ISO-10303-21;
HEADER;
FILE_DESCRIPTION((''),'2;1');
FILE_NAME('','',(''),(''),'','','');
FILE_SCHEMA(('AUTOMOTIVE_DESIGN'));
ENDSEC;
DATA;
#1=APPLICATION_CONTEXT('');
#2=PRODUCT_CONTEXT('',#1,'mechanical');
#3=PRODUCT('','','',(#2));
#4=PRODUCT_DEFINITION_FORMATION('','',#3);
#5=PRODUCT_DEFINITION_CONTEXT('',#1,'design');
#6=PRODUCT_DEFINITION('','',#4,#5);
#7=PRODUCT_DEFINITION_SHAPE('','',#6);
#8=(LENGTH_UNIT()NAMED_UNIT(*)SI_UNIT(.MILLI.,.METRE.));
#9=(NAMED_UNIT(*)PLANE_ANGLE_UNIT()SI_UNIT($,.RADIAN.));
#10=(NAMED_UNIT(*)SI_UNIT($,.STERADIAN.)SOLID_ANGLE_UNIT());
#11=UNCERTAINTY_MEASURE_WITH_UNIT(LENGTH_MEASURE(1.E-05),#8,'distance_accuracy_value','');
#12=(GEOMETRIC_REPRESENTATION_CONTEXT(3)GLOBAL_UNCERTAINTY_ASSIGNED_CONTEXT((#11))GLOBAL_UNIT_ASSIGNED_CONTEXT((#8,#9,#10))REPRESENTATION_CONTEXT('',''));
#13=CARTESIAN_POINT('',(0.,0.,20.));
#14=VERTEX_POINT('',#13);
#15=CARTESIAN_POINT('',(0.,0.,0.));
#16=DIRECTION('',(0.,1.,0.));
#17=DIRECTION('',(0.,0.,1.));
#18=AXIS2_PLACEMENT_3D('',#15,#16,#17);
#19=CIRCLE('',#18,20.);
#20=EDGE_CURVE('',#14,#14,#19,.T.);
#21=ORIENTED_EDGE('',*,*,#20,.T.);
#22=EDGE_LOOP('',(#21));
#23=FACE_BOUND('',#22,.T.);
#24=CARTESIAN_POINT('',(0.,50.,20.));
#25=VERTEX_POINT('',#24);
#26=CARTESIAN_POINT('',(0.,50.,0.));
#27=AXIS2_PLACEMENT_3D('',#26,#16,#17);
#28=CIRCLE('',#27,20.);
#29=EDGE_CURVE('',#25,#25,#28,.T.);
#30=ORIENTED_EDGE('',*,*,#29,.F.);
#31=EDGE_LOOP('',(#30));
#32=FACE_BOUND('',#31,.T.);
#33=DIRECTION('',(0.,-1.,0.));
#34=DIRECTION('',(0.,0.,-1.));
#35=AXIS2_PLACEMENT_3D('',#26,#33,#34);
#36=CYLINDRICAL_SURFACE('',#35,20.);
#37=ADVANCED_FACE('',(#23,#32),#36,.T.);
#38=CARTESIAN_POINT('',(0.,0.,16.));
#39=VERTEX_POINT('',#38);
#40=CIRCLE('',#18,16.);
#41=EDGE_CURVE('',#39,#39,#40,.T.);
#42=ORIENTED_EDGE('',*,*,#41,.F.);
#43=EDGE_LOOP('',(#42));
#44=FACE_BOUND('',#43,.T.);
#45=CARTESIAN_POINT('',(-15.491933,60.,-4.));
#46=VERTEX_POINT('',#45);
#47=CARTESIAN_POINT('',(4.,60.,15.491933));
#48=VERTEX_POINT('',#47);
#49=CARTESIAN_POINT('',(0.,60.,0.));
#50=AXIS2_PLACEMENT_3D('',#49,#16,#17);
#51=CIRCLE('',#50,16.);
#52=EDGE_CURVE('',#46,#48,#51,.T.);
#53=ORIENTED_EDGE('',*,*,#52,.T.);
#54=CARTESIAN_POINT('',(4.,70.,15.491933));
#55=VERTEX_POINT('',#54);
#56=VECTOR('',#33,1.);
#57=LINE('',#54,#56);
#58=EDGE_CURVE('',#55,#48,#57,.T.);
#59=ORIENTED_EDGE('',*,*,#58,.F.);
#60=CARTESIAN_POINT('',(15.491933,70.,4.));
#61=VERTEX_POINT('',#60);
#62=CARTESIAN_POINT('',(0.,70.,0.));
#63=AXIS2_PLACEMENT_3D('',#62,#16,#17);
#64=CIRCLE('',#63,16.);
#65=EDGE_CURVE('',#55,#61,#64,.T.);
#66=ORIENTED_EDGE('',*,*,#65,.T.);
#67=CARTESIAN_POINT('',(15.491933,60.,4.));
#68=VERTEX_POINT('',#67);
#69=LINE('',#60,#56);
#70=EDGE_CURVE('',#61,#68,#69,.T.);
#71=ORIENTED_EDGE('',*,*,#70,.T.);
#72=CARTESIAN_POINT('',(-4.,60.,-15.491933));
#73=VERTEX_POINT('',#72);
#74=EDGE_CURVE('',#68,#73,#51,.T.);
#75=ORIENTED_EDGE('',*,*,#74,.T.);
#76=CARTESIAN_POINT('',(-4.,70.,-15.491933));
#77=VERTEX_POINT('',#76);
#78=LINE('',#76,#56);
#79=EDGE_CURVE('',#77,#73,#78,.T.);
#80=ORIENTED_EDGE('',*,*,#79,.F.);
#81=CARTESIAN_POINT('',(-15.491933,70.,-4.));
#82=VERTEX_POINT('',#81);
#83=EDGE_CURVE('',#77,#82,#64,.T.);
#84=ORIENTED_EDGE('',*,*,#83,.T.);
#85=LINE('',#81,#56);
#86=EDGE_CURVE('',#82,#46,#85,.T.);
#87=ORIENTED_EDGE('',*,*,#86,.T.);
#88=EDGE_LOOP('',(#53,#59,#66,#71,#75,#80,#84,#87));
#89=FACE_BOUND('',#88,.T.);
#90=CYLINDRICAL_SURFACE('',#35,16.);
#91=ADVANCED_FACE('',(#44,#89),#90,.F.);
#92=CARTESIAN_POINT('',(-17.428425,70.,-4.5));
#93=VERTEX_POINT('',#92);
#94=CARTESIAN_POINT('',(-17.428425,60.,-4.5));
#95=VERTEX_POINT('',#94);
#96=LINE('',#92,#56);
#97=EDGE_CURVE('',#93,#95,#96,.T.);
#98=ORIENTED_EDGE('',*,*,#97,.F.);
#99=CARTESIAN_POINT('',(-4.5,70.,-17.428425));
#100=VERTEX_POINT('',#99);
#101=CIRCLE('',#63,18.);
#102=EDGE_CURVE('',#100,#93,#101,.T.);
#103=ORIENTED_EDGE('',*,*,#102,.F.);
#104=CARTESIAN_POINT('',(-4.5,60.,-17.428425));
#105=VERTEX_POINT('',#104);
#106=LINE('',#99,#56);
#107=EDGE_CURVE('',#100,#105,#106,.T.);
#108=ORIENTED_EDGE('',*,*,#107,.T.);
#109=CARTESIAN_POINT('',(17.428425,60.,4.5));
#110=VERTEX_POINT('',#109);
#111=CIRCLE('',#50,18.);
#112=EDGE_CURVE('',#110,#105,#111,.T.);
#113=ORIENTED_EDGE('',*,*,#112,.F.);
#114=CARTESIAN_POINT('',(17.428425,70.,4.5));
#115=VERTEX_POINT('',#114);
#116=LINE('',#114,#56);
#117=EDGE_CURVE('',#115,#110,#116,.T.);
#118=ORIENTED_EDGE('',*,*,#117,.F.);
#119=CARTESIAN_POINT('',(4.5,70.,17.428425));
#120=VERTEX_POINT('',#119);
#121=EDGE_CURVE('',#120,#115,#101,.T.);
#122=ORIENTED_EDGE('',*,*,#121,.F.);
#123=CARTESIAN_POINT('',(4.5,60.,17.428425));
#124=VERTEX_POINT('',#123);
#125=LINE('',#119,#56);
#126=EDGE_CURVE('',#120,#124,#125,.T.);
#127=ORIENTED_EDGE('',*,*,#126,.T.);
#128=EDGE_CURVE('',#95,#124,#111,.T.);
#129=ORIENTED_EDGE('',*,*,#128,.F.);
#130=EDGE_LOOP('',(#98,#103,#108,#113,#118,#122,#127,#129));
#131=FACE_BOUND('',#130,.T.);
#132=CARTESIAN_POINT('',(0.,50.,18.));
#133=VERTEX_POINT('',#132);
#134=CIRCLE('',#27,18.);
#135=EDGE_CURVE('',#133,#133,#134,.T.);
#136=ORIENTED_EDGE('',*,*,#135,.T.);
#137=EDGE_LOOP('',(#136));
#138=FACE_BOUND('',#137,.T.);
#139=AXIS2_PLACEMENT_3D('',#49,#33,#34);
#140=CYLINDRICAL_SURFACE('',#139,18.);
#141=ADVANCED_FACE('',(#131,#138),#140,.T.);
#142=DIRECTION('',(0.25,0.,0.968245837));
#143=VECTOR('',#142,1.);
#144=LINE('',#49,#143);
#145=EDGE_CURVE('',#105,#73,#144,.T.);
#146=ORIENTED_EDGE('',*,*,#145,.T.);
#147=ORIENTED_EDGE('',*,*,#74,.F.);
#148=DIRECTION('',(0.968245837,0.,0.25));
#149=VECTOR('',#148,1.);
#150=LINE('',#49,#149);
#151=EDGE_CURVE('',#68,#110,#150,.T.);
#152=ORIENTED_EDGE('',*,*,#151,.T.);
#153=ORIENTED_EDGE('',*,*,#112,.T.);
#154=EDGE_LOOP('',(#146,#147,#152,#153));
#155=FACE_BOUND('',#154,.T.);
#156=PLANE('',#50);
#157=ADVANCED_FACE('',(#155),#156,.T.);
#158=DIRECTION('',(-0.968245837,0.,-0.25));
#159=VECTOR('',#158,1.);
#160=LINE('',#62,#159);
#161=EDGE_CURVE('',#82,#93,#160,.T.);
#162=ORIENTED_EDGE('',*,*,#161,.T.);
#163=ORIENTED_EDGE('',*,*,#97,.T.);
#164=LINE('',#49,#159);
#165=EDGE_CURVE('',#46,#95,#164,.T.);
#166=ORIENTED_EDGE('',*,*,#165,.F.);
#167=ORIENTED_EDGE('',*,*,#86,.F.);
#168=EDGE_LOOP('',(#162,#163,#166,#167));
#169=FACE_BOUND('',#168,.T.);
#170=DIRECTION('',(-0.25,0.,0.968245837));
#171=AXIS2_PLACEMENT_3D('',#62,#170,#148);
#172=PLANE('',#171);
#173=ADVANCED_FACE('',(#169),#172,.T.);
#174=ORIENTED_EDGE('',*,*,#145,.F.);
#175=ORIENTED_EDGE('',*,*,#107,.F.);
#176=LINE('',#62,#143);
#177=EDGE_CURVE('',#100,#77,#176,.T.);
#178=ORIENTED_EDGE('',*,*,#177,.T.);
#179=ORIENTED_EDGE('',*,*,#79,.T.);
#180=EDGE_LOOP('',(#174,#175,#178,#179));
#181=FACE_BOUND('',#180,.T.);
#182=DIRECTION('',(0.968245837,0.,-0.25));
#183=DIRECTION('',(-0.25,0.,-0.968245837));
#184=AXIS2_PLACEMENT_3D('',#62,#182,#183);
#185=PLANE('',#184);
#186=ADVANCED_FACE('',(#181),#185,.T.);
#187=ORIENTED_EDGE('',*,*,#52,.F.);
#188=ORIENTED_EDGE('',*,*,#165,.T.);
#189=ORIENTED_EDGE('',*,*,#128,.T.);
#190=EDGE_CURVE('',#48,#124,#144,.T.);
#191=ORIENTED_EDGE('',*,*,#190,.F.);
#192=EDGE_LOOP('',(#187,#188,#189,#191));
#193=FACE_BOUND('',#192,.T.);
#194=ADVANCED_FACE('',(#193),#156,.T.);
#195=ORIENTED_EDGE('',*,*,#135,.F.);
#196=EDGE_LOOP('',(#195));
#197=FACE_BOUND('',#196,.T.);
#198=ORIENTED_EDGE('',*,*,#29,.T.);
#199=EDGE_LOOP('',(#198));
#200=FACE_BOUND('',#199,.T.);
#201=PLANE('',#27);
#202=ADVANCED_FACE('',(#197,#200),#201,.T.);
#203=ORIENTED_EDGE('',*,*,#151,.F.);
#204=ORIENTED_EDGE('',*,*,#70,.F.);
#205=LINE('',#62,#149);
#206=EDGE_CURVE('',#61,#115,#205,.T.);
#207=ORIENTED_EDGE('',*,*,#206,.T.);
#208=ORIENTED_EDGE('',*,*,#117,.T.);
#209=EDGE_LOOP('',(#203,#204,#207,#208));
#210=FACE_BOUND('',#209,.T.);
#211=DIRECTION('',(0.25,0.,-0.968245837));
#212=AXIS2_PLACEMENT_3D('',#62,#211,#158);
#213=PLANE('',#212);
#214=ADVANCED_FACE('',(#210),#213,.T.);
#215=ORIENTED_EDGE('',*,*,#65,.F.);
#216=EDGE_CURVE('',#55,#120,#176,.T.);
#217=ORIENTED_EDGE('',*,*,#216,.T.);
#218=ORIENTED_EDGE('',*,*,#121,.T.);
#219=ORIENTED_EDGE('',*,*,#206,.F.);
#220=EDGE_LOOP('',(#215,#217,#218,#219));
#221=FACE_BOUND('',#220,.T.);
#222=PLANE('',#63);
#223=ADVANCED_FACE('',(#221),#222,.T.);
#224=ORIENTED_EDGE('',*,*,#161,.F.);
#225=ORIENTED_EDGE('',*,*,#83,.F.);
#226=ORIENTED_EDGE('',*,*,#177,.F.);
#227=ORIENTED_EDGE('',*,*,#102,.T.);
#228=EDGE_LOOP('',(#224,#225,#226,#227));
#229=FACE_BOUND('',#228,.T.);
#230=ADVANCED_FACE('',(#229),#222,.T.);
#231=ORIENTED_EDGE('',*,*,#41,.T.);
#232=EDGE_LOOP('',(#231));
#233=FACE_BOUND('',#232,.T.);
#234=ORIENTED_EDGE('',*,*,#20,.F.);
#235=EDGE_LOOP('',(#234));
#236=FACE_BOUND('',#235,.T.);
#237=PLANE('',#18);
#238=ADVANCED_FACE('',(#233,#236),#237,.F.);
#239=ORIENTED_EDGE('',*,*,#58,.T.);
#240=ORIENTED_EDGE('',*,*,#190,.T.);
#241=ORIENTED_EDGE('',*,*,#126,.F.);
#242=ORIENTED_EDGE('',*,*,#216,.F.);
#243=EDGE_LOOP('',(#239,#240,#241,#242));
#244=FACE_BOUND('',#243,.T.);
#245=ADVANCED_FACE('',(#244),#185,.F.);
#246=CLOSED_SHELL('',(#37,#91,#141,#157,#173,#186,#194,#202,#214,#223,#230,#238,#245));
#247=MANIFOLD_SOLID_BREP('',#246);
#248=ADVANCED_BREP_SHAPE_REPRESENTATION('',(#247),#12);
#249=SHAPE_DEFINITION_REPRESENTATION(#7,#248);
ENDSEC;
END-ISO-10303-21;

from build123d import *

# Parameters (mm, degrees)
SKETCH_1_R      = 20
SKETCH_1_R_2    = 16
EXTRUDE_1_DEPTH = 50
EXTRUDE_START   = 50
SKETCH_3_R      = 18
SKETCH_3_R_2    = 16
EXTRUDE_2_DEPTH = 10
EXTRUDE_START_2 = 60
EXTRUDE_3_DEPTH = 10


with BuildPart() as part:
    # 草图1 → 凸台-拉伸1 (new body)
    with BuildSketch(Plane(origin=(0, 0, 0), x_dir=(1, 0, 0), z_dir=(0, 1, 0))):
        Circle(SKETCH_1_R)
        Circle(SKETCH_1_R_2, mode=Mode.SUBTRACT)
    extrude(amount=EXTRUDE_1_DEPTH)

    # 草图3 → 凸台-拉伸2 (add)
    with BuildSketch(Plane(origin=(0, 0, 0), x_dir=(1, 0, 0), z_dir=(0, 1, 0)).offset(EXTRUDE_START)):
        Circle(SKETCH_3_R)
        Circle(SKETCH_3_R_2, mode=Mode.SUBTRACT)
    extrude(amount=EXTRUDE_2_DEPTH)

    # 草图4 → 凸台-拉伸3 (add)
    with BuildSketch(Plane(origin=(0, 0, 0), x_dir=(1, 0, 0), z_dir=(0, 1, 0)).offset(EXTRUDE_START_2)):
        with BuildLine():
            Line((-17.428425058, 4.5), (-15.491933385, 4))
            ThreePointArc((-15.491933385, 4), (-11.313708499, 11.313708499), (-4, 15.491933385))
            Line((-4, 15.491933385), (-4.5, 17.428425058))
            ThreePointArc((-4.5, 17.428425058), (-12.727922061, 12.727922061), (-17.428425058, 4.5))
        make_face()
        with BuildLine():
            ThreePointArc((15.491933385, -4), (11.313708499, -11.313708499), (4, -15.491933385))
            Line((4, -15.491933385), (4.5, -17.428425058))
            ThreePointArc((4.5, -17.428425058), (12.727922061, -12.727922061), (17.428425058, -4.5))
            Line((17.428425058, -4.5), (15.491933385, -4))
        make_face()
    extrude(amount=EXTRUDE_3_DEPTH)


solid = part.part
